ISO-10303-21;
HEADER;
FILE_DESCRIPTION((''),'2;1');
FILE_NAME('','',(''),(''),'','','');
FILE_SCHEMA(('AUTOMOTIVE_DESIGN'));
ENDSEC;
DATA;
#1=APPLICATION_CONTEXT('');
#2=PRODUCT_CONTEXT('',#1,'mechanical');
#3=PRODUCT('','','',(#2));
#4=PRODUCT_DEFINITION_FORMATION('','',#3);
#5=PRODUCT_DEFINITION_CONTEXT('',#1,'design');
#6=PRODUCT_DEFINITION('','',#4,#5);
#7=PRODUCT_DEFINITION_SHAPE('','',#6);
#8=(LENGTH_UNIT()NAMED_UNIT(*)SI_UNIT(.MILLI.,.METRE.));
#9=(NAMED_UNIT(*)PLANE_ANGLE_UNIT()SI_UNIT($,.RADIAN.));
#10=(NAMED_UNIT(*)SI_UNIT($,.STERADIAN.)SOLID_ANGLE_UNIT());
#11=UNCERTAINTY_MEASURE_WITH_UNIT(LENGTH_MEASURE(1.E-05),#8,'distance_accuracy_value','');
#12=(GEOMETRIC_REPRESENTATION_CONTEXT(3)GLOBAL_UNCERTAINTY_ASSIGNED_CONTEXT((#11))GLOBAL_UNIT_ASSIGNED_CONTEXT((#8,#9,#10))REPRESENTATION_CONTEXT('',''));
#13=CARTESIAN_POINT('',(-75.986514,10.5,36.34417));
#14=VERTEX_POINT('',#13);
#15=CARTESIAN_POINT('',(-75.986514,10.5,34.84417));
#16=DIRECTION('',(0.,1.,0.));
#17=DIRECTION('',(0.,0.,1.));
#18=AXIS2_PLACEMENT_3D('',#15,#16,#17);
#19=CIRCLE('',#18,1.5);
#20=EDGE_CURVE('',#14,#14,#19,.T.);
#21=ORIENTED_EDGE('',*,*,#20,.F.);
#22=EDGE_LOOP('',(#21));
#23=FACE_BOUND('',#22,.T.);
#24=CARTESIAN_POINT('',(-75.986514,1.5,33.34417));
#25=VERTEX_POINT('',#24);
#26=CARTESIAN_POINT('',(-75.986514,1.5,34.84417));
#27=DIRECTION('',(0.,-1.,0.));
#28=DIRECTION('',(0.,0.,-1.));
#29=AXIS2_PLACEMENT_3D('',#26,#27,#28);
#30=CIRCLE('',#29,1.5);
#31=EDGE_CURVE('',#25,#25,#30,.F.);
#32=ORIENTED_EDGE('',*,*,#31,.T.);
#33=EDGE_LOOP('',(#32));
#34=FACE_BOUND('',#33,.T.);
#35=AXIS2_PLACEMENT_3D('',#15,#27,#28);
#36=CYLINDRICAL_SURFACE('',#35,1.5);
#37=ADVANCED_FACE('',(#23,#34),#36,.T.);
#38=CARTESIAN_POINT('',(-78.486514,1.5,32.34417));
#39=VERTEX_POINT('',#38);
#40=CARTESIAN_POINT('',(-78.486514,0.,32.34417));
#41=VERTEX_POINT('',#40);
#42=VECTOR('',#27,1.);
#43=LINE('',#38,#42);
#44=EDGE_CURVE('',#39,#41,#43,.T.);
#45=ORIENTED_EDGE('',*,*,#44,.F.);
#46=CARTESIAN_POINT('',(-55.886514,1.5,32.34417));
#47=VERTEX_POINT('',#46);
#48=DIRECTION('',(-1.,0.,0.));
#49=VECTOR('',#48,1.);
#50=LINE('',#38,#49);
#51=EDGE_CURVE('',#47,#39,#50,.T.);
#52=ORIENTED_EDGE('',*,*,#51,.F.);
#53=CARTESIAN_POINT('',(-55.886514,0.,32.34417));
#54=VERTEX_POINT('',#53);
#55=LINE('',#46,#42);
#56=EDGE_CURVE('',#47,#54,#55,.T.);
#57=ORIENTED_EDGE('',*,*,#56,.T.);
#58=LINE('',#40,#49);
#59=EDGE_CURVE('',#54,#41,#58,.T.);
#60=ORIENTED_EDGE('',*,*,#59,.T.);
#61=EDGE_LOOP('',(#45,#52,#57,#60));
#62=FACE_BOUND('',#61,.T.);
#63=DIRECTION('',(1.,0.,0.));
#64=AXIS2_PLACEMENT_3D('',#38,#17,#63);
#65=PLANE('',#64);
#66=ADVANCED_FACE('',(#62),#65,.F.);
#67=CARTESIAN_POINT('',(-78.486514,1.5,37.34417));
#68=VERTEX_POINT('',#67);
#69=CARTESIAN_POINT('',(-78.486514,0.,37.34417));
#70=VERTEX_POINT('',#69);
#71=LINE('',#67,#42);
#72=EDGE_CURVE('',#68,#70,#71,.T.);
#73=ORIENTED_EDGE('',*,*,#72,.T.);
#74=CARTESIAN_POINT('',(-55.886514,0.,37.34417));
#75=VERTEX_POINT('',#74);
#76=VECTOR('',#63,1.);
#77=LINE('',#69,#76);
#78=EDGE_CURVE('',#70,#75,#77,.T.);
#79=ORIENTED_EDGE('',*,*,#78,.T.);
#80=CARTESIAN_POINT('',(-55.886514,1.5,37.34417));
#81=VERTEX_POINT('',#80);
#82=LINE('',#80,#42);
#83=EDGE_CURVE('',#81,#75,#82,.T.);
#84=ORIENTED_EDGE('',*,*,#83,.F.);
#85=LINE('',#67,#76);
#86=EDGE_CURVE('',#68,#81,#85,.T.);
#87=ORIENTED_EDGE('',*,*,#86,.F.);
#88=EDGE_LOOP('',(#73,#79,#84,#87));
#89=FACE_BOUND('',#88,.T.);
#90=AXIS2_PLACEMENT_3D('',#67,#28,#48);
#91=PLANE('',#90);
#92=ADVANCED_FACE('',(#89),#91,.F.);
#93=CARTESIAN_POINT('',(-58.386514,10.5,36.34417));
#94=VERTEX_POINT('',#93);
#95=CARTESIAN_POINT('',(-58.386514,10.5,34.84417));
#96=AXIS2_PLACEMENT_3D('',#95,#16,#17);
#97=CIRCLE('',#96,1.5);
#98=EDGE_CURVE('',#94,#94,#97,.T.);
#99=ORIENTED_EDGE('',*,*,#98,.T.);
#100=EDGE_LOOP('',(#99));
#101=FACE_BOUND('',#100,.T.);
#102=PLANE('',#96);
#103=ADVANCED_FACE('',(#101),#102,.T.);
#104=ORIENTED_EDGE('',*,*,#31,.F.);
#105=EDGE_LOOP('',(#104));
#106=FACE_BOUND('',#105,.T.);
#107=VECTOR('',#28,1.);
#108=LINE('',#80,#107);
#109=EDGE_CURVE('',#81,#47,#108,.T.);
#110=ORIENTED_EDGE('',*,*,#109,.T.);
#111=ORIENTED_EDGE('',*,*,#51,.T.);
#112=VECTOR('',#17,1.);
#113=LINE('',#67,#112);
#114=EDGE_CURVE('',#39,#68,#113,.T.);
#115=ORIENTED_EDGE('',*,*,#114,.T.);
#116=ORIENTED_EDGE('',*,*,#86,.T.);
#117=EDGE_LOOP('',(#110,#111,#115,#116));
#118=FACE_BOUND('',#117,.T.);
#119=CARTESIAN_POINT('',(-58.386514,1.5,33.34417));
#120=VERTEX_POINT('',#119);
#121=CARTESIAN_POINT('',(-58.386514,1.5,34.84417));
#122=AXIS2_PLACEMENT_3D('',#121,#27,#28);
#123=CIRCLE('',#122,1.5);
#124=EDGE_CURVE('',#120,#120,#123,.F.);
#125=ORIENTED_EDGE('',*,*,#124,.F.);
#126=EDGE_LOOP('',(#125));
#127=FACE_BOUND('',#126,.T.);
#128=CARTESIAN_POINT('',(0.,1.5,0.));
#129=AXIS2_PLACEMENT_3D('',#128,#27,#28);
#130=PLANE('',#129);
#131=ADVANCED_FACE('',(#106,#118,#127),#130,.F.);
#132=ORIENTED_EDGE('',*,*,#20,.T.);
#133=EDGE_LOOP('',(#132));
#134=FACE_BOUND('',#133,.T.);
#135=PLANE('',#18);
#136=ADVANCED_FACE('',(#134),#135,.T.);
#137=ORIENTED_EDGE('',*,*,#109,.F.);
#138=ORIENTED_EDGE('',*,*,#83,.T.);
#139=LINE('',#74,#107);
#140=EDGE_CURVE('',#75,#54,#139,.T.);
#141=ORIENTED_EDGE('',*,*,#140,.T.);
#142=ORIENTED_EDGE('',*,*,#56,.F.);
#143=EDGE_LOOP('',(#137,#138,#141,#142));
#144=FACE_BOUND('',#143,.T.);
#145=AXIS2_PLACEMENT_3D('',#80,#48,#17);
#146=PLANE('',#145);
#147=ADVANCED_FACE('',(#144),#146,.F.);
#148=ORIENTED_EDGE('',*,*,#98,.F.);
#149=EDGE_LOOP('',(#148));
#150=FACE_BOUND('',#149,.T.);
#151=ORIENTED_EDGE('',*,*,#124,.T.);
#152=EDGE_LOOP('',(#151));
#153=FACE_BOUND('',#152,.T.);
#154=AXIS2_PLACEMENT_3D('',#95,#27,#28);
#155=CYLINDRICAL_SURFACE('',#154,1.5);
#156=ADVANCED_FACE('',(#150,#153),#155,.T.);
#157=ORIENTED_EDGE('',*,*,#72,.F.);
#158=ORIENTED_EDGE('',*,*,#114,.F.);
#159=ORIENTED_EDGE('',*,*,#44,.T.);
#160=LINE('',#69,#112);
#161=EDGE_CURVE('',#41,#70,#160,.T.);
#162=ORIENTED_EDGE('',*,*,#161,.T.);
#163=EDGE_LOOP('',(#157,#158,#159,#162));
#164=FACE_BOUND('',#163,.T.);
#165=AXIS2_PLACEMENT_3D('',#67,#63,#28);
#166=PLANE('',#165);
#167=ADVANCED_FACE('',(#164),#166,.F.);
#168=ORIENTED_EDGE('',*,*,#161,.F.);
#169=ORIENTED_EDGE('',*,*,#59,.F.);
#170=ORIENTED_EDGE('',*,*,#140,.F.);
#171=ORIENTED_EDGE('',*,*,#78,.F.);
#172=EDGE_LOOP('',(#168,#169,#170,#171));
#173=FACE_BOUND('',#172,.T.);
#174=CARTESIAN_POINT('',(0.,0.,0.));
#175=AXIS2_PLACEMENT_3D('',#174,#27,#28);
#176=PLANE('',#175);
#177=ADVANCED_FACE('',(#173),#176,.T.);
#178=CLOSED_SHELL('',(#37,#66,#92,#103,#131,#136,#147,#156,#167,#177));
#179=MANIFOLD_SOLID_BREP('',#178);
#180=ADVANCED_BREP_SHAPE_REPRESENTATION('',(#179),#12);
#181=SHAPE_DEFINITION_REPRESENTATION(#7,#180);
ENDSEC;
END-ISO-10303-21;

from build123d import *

# Parameters (mm, degrees)
SKETCH1_W           = 22.6
SKETCH1_H           = 5
BOSS_EXTRUDE3_DEPTH = 1.5
SKETCH3_R           = 1.5
BOSS_EXTRUDE4_DEPTH = 9


with BuildPart() as part:
    # Sketch1 → Boss-Extrude3 (new body)
    with BuildSketch(Plane(origin=(0, 0, 0), x_dir=(1, 0, 0), z_dir=(0, 1, 0))):
        with Locations((-67.186514043, -34.8441703)):
            Rectangle(SKETCH1_W, SKETCH1_H)
    extrude(amount=BOSS_EXTRUDE3_DEPTH)

    # Sketch3 → Boss-Extrude4 (add)
    with BuildSketch(Plane(origin=(0, 1.5, 0), x_dir=(1, 0, 0), z_dir=(0, 1, 0))):
        with Locations((-75.986514043, -34.8441703)):
            Circle(SKETCH3_R)
        with Locations((-58.386514043, -34.8441703)):
            Circle(SKETCH3_R)
    extrude(amount=BOSS_EXTRUDE4_DEPTH)


solid = part.part
